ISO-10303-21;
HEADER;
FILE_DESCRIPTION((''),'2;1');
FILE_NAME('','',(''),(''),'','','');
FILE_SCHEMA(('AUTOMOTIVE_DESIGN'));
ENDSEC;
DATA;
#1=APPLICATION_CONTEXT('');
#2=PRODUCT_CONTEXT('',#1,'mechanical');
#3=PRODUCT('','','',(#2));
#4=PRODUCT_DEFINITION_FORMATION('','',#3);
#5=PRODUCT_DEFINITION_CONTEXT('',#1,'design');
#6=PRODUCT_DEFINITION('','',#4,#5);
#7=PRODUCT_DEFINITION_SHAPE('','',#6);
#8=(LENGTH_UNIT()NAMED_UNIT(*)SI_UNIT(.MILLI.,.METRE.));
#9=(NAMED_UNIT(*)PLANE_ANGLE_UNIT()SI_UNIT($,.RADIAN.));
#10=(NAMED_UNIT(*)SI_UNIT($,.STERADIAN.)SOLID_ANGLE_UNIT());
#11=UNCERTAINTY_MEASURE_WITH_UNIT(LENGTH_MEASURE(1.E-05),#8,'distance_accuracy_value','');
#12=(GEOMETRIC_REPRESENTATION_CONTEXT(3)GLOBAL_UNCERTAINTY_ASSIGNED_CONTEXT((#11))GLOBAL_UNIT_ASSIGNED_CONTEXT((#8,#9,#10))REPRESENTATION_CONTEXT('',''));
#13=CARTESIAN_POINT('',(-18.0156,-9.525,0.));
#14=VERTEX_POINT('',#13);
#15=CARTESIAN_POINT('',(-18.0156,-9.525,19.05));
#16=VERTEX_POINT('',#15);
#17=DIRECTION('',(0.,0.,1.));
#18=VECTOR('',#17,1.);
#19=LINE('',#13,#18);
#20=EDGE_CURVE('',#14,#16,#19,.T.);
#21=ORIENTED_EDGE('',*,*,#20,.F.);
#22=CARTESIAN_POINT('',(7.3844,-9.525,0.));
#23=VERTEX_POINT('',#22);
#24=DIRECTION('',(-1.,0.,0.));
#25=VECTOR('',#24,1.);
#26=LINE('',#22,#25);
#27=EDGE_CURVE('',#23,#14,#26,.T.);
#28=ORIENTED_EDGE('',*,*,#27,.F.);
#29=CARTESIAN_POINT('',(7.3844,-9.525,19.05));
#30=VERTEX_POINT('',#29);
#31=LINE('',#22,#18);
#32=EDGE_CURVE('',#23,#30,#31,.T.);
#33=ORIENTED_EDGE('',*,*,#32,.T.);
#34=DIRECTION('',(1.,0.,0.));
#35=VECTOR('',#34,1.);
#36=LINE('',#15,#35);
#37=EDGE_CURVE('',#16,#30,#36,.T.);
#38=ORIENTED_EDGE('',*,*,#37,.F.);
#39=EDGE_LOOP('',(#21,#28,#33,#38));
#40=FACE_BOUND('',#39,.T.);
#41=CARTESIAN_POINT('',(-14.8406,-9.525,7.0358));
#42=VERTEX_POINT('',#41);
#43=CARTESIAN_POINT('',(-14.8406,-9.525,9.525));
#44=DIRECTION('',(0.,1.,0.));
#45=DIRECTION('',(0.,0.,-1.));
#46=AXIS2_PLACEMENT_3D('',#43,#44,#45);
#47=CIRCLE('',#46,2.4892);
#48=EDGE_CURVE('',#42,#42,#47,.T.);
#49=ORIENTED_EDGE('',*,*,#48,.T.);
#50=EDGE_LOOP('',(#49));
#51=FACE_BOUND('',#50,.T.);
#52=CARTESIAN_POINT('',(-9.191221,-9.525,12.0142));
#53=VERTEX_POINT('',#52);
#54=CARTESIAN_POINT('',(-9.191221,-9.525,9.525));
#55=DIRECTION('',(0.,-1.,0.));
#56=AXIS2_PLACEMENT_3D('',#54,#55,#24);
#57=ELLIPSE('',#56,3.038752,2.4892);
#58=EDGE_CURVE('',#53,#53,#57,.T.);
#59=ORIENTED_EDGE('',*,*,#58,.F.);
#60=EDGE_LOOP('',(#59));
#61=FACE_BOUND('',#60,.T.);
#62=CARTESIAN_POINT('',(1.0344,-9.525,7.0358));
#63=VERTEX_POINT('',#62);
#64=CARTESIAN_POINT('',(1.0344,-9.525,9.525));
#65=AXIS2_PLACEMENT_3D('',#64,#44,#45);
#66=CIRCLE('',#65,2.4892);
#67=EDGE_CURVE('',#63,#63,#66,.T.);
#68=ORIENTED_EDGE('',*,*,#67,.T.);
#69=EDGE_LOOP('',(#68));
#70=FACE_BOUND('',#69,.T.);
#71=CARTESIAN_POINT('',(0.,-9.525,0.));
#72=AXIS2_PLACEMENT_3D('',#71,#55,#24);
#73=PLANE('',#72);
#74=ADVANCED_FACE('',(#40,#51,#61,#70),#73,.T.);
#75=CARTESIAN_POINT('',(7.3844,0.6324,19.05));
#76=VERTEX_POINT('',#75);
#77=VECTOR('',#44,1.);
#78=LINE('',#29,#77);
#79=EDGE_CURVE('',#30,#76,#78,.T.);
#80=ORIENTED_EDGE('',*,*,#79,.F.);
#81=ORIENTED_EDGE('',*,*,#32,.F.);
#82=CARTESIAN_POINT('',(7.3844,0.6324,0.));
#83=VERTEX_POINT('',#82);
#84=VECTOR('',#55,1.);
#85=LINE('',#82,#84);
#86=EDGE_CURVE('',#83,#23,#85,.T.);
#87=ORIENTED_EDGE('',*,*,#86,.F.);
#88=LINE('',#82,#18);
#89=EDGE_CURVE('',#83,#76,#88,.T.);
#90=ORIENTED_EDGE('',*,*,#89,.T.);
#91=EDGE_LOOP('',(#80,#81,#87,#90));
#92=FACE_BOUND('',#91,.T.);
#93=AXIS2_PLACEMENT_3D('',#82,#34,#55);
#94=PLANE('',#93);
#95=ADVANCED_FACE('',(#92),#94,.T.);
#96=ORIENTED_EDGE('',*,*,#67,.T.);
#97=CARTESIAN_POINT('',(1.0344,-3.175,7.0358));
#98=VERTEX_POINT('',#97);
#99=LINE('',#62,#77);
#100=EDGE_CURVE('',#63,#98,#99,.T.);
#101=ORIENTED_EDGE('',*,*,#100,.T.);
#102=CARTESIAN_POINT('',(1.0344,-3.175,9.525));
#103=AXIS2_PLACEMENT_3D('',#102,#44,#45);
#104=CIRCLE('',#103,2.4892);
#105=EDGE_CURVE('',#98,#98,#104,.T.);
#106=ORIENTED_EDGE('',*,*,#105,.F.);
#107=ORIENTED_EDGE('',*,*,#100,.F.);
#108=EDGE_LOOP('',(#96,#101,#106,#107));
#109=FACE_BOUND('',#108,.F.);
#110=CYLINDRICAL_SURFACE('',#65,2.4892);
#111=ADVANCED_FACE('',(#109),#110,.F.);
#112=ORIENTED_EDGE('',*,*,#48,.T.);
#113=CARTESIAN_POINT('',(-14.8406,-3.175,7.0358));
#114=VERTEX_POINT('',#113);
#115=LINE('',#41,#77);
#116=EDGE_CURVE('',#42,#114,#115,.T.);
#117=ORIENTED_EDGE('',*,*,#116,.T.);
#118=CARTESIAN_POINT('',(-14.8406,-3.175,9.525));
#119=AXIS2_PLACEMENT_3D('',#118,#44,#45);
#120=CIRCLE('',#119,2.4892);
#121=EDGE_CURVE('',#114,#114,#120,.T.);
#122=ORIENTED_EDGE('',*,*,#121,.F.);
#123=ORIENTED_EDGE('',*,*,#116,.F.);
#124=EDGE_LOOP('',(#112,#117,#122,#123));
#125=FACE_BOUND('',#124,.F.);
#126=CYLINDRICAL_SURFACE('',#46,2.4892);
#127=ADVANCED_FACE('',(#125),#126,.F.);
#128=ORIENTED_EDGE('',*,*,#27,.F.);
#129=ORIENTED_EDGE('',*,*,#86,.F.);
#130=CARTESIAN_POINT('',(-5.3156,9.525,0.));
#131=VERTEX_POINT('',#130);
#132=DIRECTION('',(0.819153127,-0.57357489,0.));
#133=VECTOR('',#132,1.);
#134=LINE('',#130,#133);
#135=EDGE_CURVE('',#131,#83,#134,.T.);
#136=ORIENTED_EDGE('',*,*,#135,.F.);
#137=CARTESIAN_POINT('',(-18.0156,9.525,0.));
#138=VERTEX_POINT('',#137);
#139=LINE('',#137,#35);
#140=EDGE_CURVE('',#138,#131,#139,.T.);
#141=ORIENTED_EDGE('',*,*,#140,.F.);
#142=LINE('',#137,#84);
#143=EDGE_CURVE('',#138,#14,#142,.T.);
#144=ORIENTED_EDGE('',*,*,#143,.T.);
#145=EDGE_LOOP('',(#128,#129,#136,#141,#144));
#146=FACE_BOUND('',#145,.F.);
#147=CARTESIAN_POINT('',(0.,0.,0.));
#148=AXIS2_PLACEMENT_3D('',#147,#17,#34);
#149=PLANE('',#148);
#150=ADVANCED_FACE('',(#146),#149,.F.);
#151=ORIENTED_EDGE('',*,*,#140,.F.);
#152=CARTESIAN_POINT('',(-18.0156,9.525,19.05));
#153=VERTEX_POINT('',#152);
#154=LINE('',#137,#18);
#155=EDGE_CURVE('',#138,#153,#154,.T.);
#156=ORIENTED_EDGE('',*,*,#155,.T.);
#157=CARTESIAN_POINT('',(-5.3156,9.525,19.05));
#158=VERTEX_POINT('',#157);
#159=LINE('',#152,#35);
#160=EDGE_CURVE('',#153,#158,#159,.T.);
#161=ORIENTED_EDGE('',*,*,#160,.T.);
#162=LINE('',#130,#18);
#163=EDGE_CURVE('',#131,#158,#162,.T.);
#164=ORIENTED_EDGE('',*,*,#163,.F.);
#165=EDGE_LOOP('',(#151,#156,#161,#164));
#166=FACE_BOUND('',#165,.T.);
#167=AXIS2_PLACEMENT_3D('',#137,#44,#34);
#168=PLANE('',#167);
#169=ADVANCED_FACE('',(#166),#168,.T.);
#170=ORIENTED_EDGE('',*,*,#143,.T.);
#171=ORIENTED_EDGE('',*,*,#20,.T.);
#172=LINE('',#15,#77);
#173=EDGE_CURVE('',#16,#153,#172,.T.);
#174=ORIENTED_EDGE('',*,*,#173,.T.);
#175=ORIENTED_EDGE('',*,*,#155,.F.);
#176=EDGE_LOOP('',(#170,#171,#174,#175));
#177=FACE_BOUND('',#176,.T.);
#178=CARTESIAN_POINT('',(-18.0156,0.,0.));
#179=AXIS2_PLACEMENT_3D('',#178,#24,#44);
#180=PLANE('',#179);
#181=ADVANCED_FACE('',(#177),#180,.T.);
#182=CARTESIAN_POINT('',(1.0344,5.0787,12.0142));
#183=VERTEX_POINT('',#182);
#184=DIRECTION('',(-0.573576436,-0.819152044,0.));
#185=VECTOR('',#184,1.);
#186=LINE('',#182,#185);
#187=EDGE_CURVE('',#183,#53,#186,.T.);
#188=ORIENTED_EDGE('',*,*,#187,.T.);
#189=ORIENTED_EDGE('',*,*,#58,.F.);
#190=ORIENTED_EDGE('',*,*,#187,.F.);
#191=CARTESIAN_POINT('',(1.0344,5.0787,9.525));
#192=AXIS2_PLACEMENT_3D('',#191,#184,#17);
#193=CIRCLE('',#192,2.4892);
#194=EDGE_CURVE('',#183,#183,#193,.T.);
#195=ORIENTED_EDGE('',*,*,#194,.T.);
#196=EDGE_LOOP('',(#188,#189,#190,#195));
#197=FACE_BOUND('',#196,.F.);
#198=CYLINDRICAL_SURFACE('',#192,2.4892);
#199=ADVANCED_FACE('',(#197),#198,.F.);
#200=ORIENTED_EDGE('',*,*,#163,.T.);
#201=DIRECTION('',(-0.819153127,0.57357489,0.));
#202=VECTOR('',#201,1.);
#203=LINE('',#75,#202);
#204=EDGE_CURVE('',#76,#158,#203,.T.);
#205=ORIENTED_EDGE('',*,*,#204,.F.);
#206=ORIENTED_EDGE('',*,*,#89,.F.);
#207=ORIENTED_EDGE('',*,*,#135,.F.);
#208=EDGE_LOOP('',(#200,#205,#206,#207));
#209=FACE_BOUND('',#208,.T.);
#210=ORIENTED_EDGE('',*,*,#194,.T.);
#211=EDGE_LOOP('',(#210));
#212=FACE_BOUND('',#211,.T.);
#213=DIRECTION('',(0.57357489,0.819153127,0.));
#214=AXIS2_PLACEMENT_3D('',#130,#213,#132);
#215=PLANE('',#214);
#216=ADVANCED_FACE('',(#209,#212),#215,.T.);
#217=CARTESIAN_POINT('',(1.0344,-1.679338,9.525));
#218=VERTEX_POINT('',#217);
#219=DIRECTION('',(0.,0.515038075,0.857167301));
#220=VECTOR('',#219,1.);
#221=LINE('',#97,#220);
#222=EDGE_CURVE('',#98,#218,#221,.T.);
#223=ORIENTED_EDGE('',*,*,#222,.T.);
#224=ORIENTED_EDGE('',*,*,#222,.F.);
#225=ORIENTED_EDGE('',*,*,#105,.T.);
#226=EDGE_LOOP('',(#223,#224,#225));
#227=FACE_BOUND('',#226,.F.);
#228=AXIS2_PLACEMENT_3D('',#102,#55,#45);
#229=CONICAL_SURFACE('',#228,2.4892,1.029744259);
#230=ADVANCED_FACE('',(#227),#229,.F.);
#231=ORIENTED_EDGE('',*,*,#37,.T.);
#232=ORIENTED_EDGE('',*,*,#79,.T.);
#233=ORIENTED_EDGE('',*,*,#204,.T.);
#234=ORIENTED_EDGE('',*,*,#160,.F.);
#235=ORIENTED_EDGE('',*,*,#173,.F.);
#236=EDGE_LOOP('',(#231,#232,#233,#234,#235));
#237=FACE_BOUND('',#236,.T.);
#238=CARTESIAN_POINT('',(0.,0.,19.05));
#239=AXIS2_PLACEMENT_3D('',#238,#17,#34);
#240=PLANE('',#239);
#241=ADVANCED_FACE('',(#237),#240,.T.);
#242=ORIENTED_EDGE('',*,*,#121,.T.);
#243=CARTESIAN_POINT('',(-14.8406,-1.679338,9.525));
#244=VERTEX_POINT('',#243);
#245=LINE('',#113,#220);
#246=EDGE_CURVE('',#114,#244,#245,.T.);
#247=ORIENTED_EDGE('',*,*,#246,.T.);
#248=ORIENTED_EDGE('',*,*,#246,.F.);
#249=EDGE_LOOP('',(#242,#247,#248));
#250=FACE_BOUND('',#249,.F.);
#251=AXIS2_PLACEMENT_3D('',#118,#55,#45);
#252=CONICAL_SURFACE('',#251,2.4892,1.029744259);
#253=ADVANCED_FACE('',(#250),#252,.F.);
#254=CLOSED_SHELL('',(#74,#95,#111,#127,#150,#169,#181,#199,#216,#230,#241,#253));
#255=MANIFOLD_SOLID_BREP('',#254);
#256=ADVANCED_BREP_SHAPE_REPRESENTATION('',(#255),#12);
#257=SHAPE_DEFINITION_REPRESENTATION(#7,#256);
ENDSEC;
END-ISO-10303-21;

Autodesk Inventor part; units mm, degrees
ref_plane "YZ Plane" through (0, 0, 0) normal (1, 0, 0) x (0, 1, 0)
ref_plane "XZ Plane" through (0, 0, 0) normal (0, 1, 0) x (-1, 0, 0)
ref_plane "XY Plane" through (0, 0, 0) normal (0, 0, 1) x (1, 0, 0)
sketch "Sketch1" plane through (0, 0, 0) normal (0, 0, 1) x (1, 0, 0)
  line L0 (-23.0956, 0) -> (12.4644, 0) projected
  line L1 (0, -13.335) -> (0, 13.335) projected
  line L2 (-18.0156, 9.525) -> (-5.3156, 9.525)
  line L3 (7.3844, 0.6324) -> (7.3844, -9.525)
  line L4 (7.3844, -9.525) -> (-18.0156, -9.525)
  line L5 (-18.0156, -9.525) -> (-18.0156, 9.525)
  line L6 (-5.3156, 9.525) -> (7.3844, 0.6324)
  point P0 (0, 0)
  point P1 (-18.0156, 0)
  point P2 (0, 9.525)
  dimension "d0" = 19.05
  dimension "d2" = 25.4
  dimension "d21" = 35
extrude "Extrusion1" add sketch "Sketch1" along normal blind 19.05
sketch "Sketch2" plane through (7.3844, 0.6324, 19.05) normal (0.5736, 0.8192, 0) x (0.8192, -0.5736, 0)
  line L0 (-15.5038, 19.05) -> (0, 19.05) projected
  line L1 (-15.5038, 19.05) -> (-15.5038, 0) projected
  point P0 (-5.6862, 19.05)
  point P1 (-7.7519, 9.525)
  point P2 (-15.5038, 9.525)
  point P3 (-7.7519, 19.05)
hole "Hole1" at (1.0344, 5.0787, 9.525) direction (-0.5736, -0.8192, 0) diameter 4.9784 end through all thread size "1/4-20 UNC" class "2B" standard "ANSI Unified Screw Threads"
sketch "Sketch3" plane through (-18.0156, -9.525, 0) normal (0, -1, 0) x (1, 0, 0)
  line L0 (25.4, 0) -> (25.4, 19.05) projected
  point P0 (18.0156, 0)
  point P1 (19.05, 9.525)
  point P2 (25.4, 9.525)
  point P3 (3.175, 9.525)
  dimension "d12" = 6.35
  dimension "d20" = 15.875
hole "Hole2" at (1.0344, -9.525, 9.525) at (-14.8406, -9.525, 9.525) direction (0, 1, 0) diameter 4.9784 depth 6.35 tip angle 118 thread size "1/4-20 UNC" class "2B" standard "ANSI Unified Screw Threads"
properties part number "transfer mount block"
